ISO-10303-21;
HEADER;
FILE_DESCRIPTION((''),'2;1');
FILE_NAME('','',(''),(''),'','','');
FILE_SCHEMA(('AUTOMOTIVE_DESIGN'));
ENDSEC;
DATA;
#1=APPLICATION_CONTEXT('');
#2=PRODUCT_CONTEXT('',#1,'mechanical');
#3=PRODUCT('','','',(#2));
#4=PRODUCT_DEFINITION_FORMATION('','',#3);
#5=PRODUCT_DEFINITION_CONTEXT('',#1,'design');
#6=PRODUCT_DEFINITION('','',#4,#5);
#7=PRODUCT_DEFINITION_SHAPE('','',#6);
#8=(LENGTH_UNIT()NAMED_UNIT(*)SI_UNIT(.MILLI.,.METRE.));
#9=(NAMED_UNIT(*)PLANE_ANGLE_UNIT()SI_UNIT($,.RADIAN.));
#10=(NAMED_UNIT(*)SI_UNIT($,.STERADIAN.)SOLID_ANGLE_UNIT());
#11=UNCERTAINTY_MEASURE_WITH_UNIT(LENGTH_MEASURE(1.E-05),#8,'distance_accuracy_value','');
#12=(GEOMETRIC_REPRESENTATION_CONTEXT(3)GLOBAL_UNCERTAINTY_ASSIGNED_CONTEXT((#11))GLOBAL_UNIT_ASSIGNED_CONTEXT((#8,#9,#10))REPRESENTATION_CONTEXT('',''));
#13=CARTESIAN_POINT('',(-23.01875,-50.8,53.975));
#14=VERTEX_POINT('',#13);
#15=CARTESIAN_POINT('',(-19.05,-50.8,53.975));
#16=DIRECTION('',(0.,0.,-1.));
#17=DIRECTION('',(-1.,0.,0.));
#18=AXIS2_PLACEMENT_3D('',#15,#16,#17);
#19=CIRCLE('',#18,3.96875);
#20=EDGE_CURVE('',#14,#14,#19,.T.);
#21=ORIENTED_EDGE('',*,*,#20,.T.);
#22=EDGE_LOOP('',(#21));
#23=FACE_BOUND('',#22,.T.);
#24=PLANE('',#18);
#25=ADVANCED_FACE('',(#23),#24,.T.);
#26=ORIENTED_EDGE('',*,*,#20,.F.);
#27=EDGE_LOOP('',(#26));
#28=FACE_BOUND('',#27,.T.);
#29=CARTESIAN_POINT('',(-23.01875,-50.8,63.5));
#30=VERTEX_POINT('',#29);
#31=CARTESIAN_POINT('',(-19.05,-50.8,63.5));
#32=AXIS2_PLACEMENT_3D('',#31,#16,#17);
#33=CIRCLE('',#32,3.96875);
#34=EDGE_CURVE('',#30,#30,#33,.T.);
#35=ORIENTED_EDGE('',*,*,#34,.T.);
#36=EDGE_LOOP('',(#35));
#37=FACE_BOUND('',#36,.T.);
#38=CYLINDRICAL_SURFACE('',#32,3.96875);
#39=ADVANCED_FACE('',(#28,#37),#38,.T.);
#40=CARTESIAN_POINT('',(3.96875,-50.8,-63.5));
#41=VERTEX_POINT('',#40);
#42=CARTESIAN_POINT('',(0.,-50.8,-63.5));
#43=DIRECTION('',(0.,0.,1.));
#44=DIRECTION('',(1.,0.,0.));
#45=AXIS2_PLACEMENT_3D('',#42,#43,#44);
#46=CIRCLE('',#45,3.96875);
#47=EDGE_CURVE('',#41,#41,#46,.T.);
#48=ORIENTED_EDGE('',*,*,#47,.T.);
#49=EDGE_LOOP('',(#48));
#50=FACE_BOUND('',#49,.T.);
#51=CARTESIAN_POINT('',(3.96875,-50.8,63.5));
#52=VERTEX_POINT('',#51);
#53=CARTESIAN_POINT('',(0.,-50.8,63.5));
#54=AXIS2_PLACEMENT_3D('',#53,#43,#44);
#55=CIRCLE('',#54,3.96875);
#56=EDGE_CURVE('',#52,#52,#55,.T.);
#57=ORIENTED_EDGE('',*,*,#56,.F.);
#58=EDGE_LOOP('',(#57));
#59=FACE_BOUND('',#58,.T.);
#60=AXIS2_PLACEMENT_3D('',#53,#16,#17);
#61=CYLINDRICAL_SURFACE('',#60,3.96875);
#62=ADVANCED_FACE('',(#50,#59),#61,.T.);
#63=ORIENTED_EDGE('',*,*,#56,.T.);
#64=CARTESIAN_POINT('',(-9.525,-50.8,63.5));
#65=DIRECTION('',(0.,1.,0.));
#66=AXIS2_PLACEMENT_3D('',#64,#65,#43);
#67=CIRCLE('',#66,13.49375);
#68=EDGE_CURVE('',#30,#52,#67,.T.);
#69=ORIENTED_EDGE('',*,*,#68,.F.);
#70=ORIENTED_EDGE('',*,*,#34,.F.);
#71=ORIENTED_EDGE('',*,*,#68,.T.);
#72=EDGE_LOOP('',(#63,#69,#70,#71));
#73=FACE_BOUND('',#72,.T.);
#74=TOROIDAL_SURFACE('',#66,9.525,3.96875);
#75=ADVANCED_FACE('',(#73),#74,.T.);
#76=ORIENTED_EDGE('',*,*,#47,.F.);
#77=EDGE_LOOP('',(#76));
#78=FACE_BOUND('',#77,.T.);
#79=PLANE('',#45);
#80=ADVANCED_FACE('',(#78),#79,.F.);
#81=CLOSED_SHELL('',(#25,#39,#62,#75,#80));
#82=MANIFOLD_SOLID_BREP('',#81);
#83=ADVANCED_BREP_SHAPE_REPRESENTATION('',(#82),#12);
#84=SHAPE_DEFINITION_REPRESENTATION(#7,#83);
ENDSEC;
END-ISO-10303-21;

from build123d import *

# Parameters (mm, degrees)
SKETCH2_R           = 3.96875
BOSS_EXTRUDE1_DEPTH = 63.5
SKETCH3_R           = 3.96875


with BuildPart() as part:
    # Sketch2 → Boss-Extrude1 (new, symmetric)
    with BuildSketch(Plane.XY):
        with Locations((0, -50.8)):
            Circle(SKETCH2_R)
    extrude(amount=BOSS_EXTRUDE1_DEPTH, both=True)

    # Sweep1: sweep along a path in Sketch4
    with BuildLine(Plane(origin=(0, 0, 0), x_dir=(1, 0, 0), z_dir=(0, 1, 0))) as sweep1_path:
        Line((-19.05, -53.975), (-19.05, -63.5))
        ThreePointArc((-19.05, -63.5), (-9.525, -73.025), (0, -63.5))
    # Sketch3 → Sweep1 (sweep)
    with BuildSketch(Plane.XY.offset(63.5)):
        with Locations((0, -50.8)):
            Circle(SKETCH3_R)
    sweep(path=sweep1_path.line)


solid = part.part
